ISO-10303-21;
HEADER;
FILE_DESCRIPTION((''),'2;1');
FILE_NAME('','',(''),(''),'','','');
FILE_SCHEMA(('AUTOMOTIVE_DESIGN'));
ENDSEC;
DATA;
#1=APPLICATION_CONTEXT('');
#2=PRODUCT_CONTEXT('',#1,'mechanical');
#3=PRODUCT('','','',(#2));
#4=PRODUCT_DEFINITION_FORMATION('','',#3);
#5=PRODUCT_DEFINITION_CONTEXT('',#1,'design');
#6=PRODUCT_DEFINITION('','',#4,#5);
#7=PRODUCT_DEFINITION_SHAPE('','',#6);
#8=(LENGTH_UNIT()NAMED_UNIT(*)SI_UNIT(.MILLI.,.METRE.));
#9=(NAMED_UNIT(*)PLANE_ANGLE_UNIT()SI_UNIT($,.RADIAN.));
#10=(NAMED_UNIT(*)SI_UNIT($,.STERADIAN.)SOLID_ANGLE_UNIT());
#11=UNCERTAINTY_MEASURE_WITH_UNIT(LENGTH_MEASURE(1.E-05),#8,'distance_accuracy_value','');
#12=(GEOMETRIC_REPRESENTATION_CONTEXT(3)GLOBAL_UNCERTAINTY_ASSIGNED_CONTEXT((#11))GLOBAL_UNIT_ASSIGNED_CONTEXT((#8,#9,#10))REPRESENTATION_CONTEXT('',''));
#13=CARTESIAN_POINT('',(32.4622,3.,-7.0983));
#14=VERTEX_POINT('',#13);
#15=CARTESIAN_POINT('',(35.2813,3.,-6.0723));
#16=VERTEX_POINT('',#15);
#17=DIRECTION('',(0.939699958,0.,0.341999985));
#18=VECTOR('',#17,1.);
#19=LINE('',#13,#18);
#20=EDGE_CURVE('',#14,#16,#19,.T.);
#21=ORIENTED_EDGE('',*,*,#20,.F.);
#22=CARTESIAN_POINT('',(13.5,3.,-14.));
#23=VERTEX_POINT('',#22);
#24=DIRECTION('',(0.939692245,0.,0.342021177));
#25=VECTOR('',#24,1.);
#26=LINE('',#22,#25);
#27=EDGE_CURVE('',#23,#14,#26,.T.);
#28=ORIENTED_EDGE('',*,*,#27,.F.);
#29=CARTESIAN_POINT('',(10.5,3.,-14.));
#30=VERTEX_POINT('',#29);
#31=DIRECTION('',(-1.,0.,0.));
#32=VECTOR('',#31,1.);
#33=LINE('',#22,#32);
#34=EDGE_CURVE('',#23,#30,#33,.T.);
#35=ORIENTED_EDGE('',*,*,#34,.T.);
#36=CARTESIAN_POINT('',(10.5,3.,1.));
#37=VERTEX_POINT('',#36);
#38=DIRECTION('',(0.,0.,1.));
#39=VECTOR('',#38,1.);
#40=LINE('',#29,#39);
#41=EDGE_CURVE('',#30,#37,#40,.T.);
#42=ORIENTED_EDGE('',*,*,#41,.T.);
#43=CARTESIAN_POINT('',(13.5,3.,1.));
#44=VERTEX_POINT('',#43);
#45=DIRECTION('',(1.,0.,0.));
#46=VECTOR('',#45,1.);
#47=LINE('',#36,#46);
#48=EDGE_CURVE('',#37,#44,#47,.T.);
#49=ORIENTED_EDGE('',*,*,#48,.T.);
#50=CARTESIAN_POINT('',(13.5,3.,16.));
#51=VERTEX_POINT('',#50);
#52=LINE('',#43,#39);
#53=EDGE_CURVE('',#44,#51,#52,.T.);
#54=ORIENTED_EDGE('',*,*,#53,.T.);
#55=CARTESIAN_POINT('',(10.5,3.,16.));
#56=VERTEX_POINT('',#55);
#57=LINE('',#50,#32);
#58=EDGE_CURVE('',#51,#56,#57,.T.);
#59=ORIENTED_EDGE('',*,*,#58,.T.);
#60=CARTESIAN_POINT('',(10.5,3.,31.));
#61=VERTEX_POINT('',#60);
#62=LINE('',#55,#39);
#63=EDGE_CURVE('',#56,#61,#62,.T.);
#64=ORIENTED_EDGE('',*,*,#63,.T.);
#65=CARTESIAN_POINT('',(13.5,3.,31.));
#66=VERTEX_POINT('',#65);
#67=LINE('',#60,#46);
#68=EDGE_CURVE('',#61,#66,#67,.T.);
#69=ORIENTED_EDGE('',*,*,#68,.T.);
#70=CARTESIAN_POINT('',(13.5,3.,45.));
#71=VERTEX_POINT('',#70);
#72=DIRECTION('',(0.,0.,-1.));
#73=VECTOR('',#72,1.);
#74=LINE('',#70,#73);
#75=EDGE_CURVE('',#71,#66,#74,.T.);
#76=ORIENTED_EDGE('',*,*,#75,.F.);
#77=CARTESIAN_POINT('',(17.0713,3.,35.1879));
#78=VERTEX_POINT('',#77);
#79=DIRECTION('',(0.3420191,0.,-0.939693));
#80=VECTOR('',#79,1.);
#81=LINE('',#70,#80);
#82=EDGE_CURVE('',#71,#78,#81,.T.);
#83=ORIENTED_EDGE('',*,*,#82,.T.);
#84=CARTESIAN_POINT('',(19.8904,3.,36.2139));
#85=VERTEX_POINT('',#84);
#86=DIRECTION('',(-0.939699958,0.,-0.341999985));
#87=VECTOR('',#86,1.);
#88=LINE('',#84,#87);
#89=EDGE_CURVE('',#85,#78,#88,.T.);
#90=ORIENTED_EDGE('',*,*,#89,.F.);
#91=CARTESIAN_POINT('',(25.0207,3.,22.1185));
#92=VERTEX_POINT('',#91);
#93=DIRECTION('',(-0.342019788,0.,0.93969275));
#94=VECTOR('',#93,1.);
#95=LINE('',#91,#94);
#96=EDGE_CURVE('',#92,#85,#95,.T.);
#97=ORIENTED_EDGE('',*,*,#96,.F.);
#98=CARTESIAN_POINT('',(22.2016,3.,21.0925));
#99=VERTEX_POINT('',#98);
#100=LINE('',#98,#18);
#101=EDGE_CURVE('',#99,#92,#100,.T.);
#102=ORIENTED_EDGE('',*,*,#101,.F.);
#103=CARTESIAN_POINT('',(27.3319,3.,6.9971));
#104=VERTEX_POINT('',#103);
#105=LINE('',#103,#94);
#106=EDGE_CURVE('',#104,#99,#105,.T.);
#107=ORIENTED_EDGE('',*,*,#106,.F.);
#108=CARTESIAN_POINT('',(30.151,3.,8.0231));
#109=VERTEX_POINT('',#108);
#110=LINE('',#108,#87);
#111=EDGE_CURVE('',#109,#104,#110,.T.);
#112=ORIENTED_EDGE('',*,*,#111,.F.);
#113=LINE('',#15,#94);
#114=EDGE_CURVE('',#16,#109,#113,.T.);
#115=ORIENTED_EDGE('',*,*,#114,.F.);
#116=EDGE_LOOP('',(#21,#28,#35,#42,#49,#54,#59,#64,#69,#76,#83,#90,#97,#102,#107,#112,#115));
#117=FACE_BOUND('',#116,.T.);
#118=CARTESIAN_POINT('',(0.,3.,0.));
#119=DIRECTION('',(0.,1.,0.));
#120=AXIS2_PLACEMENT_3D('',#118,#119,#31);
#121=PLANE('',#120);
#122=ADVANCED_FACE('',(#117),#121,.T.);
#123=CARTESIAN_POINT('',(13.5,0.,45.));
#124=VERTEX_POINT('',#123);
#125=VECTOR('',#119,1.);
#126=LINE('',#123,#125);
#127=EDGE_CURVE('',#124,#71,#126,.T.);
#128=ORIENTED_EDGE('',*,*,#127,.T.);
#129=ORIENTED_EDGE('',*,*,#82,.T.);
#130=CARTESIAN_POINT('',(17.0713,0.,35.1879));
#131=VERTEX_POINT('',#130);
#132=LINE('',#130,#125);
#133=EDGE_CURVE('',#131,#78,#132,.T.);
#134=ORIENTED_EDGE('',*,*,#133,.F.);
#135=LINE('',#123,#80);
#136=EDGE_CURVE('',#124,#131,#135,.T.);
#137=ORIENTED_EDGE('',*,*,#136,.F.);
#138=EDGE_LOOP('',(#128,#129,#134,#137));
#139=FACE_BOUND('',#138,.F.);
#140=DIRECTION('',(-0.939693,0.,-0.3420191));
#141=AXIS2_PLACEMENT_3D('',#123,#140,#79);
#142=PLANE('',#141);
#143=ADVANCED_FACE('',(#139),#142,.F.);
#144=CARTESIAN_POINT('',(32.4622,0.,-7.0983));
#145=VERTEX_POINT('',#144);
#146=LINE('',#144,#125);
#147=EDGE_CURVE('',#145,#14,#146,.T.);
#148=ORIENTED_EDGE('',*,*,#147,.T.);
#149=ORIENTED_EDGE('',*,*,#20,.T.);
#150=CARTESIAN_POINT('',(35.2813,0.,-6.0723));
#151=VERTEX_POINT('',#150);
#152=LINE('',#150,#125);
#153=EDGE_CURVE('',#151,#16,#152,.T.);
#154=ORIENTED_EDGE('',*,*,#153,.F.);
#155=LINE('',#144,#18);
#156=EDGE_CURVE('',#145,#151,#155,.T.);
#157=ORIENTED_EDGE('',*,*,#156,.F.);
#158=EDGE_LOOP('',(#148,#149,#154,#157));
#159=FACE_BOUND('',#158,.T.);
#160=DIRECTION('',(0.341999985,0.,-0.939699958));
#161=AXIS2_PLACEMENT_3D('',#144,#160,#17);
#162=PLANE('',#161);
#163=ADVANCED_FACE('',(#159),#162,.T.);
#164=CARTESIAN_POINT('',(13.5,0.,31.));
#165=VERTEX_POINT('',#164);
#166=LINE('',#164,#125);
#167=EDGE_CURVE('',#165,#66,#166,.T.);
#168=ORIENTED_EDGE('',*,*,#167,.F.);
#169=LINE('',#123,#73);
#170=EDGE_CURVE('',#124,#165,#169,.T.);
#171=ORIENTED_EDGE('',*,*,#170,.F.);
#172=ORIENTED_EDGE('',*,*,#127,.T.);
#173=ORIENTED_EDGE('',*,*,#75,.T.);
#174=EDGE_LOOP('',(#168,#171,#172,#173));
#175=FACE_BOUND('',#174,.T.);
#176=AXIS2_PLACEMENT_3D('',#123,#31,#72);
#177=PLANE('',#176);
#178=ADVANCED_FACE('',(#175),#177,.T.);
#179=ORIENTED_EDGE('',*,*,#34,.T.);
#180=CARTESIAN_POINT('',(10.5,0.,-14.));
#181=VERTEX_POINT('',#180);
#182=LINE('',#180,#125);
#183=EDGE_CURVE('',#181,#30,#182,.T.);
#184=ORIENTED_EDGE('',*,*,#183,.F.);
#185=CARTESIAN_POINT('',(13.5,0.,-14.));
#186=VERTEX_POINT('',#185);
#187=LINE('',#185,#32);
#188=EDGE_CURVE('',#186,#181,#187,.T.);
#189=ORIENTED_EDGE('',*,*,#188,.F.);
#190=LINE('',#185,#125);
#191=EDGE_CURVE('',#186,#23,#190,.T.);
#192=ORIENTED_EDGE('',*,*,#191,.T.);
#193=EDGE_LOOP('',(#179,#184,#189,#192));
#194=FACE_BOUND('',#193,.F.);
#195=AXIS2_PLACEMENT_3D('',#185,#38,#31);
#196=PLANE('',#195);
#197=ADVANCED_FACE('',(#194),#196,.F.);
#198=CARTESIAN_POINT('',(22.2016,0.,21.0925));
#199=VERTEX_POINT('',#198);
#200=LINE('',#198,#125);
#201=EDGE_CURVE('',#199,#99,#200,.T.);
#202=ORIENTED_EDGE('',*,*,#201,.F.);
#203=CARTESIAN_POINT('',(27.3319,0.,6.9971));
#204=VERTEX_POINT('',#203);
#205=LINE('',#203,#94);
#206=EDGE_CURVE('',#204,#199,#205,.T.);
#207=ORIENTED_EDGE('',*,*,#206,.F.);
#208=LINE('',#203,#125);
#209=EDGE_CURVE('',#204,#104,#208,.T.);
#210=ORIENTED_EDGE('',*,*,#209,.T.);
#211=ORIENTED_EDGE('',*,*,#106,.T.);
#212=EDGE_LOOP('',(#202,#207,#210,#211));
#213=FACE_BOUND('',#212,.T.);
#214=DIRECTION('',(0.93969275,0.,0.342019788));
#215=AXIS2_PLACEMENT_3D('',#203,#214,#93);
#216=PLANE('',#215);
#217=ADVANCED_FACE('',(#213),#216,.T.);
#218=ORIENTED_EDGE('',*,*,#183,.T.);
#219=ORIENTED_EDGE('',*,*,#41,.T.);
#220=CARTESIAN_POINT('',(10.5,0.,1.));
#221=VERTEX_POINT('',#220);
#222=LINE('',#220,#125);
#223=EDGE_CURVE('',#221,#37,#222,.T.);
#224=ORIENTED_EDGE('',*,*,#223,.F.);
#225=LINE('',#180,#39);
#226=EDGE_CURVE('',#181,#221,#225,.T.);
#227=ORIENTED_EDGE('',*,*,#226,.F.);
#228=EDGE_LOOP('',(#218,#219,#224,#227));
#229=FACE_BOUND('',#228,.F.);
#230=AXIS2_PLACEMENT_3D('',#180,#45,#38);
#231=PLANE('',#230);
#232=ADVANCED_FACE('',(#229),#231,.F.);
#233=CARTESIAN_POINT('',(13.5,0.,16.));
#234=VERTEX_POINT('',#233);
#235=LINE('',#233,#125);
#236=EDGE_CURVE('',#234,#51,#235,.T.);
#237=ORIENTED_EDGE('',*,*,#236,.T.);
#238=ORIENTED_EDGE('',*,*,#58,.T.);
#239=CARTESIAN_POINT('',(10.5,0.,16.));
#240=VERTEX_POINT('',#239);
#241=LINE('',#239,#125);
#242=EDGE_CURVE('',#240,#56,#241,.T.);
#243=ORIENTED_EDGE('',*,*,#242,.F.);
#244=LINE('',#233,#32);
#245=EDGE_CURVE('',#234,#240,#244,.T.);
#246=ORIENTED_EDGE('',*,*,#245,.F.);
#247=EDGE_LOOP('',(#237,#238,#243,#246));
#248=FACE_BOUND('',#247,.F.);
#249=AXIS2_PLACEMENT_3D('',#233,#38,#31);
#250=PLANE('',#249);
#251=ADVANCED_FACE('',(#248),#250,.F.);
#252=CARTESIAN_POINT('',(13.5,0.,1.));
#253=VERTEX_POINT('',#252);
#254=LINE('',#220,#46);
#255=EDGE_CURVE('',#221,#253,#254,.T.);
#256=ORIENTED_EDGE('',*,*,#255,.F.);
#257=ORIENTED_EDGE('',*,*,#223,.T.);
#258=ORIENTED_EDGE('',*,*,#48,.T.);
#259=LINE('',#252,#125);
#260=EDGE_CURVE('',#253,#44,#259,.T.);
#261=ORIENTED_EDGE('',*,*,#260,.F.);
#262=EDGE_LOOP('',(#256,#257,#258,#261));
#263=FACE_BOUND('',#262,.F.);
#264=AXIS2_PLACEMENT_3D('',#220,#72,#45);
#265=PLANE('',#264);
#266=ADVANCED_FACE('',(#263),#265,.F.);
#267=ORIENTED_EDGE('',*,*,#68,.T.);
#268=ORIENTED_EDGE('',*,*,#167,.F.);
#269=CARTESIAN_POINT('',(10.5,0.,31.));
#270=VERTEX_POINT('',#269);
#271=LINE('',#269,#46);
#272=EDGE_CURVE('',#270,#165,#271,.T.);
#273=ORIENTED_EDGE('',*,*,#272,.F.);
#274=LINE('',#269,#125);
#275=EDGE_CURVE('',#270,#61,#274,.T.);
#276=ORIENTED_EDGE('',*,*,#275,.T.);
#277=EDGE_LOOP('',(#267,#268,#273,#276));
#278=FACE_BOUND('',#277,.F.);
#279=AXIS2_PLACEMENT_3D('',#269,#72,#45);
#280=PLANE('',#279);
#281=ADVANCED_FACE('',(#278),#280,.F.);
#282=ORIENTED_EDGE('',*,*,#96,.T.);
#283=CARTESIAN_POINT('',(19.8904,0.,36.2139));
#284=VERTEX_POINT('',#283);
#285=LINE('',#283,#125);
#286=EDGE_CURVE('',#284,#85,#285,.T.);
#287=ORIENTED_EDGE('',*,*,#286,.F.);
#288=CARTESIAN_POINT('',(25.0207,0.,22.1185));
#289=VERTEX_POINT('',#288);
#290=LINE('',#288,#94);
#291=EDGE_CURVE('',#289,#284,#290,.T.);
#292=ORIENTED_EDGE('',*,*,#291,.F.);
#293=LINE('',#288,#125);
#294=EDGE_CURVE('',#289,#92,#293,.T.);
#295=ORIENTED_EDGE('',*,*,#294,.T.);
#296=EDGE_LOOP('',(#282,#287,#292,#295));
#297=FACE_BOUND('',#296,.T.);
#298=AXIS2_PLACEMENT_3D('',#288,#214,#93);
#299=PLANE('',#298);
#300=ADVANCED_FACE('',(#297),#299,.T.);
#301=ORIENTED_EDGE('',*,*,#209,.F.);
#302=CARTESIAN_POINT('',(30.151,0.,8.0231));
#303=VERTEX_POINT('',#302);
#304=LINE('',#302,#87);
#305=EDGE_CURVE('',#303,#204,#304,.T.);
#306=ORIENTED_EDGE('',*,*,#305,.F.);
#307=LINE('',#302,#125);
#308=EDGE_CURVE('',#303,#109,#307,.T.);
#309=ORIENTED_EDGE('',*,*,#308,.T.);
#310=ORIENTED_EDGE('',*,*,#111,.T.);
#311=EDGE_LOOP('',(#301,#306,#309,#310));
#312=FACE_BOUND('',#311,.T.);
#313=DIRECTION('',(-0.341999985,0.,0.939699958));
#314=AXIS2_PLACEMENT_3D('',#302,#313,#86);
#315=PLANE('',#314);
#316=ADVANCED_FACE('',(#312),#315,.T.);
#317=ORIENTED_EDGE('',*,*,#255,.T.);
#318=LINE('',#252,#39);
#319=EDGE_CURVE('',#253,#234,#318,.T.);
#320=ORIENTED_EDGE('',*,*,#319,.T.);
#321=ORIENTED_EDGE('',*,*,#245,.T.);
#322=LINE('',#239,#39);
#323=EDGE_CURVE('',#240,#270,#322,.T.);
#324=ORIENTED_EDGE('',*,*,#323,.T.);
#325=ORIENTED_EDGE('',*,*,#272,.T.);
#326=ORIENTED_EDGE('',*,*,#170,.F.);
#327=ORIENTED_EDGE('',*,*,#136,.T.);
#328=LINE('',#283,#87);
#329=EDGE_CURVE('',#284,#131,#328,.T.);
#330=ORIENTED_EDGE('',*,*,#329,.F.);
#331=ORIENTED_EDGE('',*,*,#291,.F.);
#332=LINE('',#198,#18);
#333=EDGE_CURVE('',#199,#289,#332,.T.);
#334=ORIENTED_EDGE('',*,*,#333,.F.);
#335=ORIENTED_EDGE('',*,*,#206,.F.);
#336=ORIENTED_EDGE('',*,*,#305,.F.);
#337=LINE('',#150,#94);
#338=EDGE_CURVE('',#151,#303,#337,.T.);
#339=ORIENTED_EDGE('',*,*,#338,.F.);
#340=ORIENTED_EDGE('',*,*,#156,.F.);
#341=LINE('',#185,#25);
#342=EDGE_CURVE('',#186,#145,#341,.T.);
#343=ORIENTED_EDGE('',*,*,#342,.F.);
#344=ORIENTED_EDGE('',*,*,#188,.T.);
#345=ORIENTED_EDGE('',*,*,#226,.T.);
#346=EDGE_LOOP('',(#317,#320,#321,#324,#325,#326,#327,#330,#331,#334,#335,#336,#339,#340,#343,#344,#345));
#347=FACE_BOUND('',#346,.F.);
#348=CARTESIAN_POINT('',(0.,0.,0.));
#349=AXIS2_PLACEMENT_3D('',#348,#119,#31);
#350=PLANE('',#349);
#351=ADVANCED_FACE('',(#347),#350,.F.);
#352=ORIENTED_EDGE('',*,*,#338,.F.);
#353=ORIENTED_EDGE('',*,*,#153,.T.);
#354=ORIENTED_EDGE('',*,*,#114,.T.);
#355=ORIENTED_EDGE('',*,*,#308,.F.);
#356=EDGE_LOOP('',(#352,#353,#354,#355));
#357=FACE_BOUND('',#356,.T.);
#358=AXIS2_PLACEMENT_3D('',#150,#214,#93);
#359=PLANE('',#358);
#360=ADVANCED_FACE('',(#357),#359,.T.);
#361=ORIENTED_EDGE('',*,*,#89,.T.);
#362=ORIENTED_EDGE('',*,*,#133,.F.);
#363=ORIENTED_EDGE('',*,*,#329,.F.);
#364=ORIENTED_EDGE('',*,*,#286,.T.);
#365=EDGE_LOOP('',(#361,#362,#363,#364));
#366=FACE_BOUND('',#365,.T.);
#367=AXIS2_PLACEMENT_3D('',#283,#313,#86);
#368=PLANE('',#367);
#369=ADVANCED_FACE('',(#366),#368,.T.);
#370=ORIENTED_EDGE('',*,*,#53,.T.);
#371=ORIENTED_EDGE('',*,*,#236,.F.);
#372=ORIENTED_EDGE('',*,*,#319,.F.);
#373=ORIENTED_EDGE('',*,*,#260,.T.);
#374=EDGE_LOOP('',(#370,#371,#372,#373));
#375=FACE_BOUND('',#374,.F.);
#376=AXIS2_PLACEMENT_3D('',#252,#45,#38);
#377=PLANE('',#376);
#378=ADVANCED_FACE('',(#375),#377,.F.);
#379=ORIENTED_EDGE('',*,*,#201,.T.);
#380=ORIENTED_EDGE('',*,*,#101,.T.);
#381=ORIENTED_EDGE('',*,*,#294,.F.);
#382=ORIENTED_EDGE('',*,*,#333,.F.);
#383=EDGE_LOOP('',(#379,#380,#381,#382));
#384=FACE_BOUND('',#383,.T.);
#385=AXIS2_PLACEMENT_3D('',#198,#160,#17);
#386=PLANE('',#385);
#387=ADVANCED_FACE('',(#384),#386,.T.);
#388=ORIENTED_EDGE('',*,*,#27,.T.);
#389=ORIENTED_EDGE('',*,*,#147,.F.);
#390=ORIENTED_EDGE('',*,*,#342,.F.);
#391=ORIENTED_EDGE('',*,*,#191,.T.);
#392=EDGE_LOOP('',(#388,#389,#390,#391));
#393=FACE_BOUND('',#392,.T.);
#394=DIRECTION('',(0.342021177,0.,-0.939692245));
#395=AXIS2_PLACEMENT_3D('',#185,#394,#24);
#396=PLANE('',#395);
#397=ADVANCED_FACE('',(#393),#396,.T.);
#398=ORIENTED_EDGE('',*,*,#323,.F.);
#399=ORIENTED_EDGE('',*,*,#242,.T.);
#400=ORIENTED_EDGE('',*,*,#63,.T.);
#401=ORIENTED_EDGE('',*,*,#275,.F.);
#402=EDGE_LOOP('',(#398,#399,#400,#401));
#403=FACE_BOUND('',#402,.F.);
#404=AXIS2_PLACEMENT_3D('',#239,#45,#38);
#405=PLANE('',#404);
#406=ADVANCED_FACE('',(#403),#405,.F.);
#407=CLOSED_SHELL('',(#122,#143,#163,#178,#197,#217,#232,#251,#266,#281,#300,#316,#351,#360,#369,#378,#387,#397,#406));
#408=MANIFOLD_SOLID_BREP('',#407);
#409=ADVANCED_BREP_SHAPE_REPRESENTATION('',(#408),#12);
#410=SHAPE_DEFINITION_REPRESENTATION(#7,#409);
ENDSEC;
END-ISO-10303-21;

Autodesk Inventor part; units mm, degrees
ref_plane "YZ Plane" through (0, 0, 0) normal (1, 0, 0) x (0, 1, 0)
ref_plane "XZ Plane" through (0, 0, 0) normal (0, 1, 0) x (-1, 0, 0)
ref_plane "XY Plane" through (0, 0, 0) normal (0, 0, 1) x (1, 0, 0)
sketch "Sketch1" plane through (0, 0, 0) normal (0, 1, 0) x (-1, 0, 0)
  line L0 (-13.5, -14) -> (-32.4622, -7.0983)
  line L1 (-13.5, -14) -> (-10.5, -14)
  line L2 (-10.5, -14) -> (-10.5, 1)
  line L3 (-10.5, 1) -> (-13.5, 1)
  line L4 (-13.5, 1) -> (-13.5, 16)
  line L5 (-13.5, 16) -> (-10.5, 16)
  line L6 (-10.5, 16) -> (-10.5, 31)
  line L7 (-10.5, 31) -> (-13.5, 31)
  line L8 (-13.5, 45) -> (-13.5, 31)
  line L9 (-13.5, 16) -> (-13.5, 1)
  line L10 (-32.4622, -7.0983) -> (-35.2813, -6.0723)
  line L11 (-35.2813, -6.0723) -> (-30.151, 8.0231)
  line L12 (-30.151, 8.0231) -> (-27.3319, 6.9971)
  line L13 (-27.3319, 6.9971) -> (-22.2016, 21.0925)
  line L14 (-22.2016, 21.0925) -> (-25.0207, 22.1185)
  line L15 (-25.0207, 22.1185) -> (-19.8904, 36.2139)
  line L16 (-19.8904, 36.2139) -> (-17.0713, 35.1879)
  line L17 (-13.5, 45) -> (-17.0713, 35.1879)
  line L18 (-22.2016, 21.0925) -> (-27.3319, 6.9971)
  point P0 (0, 0)
  dimension "d0" = 3
  dimension "d1" = 15
  dimension "d2" = 15
  dimension "d3" = 15
  dimension "d4" = 15
  dimension "d5" = 15
  dimension "d6" = 15
  dimension "d7" = 2.8191
extrude "Extrusion1" add sketch "Sketch1" along normal blind 3
properties part number "do_sensor_2"
